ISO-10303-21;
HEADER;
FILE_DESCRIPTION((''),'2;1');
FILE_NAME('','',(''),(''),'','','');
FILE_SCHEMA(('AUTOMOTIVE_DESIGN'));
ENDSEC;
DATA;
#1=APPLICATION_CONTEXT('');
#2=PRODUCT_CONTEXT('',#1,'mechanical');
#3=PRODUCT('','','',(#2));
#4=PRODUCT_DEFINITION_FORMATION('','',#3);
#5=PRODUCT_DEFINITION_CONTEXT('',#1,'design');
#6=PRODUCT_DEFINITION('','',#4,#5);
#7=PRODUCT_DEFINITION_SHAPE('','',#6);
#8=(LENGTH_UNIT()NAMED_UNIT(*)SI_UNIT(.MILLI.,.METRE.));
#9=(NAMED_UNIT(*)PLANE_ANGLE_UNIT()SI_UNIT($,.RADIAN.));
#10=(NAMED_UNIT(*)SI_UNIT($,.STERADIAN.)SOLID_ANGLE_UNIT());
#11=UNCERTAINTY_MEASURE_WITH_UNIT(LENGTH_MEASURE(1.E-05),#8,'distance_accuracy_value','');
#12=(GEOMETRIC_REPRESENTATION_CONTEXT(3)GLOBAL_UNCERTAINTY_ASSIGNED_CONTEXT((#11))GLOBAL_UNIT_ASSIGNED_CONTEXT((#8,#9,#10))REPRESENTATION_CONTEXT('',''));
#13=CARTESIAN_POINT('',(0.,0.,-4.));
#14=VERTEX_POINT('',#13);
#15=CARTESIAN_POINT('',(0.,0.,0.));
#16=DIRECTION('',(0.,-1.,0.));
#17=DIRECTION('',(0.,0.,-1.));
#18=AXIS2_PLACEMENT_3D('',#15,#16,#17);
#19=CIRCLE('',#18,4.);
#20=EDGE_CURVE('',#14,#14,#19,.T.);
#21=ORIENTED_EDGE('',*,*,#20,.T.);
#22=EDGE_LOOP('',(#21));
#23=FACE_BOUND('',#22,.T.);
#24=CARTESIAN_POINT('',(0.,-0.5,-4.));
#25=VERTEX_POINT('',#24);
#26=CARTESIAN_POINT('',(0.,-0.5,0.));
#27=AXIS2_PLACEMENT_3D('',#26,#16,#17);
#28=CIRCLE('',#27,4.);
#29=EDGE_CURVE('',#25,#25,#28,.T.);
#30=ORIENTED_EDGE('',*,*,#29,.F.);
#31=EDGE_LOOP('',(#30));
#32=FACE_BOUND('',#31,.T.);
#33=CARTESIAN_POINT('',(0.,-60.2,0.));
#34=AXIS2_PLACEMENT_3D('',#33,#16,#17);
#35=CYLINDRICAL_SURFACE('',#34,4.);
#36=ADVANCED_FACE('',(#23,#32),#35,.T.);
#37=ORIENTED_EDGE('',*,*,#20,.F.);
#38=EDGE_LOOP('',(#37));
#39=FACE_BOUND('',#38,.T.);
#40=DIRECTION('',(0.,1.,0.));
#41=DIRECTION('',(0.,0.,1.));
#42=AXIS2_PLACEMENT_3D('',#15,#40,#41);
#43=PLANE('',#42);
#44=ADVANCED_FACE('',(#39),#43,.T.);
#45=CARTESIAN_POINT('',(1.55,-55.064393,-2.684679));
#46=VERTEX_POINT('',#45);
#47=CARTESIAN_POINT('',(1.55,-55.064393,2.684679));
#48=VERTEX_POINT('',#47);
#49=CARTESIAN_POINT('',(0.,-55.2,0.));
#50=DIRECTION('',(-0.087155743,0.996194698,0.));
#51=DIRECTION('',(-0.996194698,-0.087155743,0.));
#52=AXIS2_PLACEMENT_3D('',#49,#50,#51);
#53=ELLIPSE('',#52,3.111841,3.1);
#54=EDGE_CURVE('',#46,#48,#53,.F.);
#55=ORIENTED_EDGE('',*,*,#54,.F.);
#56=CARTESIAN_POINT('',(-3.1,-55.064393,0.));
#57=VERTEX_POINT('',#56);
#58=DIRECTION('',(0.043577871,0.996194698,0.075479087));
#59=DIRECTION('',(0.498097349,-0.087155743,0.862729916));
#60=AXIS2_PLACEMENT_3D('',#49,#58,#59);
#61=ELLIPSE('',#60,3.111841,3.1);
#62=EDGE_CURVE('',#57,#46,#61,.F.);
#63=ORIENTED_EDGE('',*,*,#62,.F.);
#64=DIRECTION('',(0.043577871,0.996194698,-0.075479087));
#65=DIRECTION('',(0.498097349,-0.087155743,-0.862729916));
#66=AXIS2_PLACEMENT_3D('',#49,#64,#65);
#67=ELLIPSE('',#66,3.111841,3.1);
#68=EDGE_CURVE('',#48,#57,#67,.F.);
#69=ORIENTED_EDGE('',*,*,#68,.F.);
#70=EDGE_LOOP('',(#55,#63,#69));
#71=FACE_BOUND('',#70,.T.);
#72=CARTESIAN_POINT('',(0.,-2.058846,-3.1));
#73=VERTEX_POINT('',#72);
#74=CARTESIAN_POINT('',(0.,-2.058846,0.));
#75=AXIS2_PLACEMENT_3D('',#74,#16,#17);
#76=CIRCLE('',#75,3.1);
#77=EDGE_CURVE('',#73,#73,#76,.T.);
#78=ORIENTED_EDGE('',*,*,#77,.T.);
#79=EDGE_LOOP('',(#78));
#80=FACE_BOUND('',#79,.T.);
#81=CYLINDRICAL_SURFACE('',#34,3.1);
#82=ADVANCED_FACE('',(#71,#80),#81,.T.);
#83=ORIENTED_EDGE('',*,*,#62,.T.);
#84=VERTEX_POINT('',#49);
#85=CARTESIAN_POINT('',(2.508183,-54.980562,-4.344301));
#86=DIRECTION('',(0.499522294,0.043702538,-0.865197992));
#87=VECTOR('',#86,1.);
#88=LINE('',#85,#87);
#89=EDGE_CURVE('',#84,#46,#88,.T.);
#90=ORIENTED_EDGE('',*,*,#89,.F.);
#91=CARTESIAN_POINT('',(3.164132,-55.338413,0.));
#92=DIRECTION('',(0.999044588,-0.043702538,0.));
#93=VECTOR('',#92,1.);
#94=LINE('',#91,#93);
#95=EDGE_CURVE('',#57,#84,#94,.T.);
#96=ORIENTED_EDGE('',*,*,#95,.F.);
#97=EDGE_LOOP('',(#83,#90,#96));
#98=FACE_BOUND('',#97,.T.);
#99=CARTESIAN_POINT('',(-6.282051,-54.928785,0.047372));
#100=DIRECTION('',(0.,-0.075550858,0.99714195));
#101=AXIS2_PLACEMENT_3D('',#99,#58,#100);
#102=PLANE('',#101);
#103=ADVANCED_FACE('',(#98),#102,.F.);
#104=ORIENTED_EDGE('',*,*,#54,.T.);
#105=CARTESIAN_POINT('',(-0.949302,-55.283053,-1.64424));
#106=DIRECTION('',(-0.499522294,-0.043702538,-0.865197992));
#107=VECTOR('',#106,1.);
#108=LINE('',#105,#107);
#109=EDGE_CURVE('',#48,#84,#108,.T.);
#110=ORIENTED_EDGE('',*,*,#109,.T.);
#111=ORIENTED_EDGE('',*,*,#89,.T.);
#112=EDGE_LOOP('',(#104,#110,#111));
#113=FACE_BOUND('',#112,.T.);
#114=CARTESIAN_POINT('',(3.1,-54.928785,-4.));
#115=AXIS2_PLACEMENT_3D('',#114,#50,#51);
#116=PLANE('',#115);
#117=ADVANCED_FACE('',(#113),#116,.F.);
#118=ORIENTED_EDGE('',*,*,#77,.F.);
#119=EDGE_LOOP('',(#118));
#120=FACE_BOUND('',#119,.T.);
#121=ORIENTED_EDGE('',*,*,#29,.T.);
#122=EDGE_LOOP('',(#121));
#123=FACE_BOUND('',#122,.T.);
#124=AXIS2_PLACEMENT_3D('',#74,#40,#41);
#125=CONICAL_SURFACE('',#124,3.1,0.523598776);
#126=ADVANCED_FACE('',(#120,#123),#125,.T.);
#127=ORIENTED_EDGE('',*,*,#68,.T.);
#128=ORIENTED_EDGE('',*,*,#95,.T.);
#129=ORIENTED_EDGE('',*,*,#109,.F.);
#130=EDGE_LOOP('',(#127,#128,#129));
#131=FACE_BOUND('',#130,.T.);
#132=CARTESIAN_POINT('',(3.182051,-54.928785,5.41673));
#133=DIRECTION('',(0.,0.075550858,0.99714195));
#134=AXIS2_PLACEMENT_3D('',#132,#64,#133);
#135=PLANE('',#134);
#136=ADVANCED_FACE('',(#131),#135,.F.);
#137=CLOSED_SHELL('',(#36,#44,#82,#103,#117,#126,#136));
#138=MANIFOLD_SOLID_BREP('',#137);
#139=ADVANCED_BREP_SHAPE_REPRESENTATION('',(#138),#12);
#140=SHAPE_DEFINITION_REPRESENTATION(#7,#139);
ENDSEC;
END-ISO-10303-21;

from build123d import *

# Parameters (mm, degrees)
CUT_EXTRUDE1_DEPTH = 56.489098028
CIRPATTERN1_COUNT  = 3


with BuildPart() as part:
    # Sketch1 → Revolve1 (revolve)
    with BuildSketch(Plane.XY, mode=Mode.PRIVATE) as revolve1_sk:
        Polygon((0, 0), (4, 0), (4, -0.5), (3.1, -2.058845727), (3.1, -55.2), (0, -55.2), align=None)
    revolve(revolve1_sk.sketch.rotate(Axis((0, -60.2, 0), (0, 1, 0)), 90), axis=Axis((0, -60.2, 0), (0, 1, 0)))

    # Sketch2 → Cut-Extrude1 (cut, symmetric)
    with BuildSketch(Plane.XY):
        Polygon((0, -55.2), (3.1, -55.2), (3.1, -54.928785143), align=None)
    cut_extrude1 = extrude(amount=CUT_EXTRUDE1_DEPTH, both=True, mode=Mode.SUBTRACT)

    # CirPattern1: Cut-Extrude1 ×3 about axis
    cirpattern1_axis = Axis((0, 0, 0), (0, 1, 0))
    for i in range(1, CIRPATTERN1_COUNT):
        add(cut_extrude1.rotate(cirpattern1_axis, i * 360 / CIRPATTERN1_COUNT), mode=Mode.SUBTRACT)


solid = part.part
